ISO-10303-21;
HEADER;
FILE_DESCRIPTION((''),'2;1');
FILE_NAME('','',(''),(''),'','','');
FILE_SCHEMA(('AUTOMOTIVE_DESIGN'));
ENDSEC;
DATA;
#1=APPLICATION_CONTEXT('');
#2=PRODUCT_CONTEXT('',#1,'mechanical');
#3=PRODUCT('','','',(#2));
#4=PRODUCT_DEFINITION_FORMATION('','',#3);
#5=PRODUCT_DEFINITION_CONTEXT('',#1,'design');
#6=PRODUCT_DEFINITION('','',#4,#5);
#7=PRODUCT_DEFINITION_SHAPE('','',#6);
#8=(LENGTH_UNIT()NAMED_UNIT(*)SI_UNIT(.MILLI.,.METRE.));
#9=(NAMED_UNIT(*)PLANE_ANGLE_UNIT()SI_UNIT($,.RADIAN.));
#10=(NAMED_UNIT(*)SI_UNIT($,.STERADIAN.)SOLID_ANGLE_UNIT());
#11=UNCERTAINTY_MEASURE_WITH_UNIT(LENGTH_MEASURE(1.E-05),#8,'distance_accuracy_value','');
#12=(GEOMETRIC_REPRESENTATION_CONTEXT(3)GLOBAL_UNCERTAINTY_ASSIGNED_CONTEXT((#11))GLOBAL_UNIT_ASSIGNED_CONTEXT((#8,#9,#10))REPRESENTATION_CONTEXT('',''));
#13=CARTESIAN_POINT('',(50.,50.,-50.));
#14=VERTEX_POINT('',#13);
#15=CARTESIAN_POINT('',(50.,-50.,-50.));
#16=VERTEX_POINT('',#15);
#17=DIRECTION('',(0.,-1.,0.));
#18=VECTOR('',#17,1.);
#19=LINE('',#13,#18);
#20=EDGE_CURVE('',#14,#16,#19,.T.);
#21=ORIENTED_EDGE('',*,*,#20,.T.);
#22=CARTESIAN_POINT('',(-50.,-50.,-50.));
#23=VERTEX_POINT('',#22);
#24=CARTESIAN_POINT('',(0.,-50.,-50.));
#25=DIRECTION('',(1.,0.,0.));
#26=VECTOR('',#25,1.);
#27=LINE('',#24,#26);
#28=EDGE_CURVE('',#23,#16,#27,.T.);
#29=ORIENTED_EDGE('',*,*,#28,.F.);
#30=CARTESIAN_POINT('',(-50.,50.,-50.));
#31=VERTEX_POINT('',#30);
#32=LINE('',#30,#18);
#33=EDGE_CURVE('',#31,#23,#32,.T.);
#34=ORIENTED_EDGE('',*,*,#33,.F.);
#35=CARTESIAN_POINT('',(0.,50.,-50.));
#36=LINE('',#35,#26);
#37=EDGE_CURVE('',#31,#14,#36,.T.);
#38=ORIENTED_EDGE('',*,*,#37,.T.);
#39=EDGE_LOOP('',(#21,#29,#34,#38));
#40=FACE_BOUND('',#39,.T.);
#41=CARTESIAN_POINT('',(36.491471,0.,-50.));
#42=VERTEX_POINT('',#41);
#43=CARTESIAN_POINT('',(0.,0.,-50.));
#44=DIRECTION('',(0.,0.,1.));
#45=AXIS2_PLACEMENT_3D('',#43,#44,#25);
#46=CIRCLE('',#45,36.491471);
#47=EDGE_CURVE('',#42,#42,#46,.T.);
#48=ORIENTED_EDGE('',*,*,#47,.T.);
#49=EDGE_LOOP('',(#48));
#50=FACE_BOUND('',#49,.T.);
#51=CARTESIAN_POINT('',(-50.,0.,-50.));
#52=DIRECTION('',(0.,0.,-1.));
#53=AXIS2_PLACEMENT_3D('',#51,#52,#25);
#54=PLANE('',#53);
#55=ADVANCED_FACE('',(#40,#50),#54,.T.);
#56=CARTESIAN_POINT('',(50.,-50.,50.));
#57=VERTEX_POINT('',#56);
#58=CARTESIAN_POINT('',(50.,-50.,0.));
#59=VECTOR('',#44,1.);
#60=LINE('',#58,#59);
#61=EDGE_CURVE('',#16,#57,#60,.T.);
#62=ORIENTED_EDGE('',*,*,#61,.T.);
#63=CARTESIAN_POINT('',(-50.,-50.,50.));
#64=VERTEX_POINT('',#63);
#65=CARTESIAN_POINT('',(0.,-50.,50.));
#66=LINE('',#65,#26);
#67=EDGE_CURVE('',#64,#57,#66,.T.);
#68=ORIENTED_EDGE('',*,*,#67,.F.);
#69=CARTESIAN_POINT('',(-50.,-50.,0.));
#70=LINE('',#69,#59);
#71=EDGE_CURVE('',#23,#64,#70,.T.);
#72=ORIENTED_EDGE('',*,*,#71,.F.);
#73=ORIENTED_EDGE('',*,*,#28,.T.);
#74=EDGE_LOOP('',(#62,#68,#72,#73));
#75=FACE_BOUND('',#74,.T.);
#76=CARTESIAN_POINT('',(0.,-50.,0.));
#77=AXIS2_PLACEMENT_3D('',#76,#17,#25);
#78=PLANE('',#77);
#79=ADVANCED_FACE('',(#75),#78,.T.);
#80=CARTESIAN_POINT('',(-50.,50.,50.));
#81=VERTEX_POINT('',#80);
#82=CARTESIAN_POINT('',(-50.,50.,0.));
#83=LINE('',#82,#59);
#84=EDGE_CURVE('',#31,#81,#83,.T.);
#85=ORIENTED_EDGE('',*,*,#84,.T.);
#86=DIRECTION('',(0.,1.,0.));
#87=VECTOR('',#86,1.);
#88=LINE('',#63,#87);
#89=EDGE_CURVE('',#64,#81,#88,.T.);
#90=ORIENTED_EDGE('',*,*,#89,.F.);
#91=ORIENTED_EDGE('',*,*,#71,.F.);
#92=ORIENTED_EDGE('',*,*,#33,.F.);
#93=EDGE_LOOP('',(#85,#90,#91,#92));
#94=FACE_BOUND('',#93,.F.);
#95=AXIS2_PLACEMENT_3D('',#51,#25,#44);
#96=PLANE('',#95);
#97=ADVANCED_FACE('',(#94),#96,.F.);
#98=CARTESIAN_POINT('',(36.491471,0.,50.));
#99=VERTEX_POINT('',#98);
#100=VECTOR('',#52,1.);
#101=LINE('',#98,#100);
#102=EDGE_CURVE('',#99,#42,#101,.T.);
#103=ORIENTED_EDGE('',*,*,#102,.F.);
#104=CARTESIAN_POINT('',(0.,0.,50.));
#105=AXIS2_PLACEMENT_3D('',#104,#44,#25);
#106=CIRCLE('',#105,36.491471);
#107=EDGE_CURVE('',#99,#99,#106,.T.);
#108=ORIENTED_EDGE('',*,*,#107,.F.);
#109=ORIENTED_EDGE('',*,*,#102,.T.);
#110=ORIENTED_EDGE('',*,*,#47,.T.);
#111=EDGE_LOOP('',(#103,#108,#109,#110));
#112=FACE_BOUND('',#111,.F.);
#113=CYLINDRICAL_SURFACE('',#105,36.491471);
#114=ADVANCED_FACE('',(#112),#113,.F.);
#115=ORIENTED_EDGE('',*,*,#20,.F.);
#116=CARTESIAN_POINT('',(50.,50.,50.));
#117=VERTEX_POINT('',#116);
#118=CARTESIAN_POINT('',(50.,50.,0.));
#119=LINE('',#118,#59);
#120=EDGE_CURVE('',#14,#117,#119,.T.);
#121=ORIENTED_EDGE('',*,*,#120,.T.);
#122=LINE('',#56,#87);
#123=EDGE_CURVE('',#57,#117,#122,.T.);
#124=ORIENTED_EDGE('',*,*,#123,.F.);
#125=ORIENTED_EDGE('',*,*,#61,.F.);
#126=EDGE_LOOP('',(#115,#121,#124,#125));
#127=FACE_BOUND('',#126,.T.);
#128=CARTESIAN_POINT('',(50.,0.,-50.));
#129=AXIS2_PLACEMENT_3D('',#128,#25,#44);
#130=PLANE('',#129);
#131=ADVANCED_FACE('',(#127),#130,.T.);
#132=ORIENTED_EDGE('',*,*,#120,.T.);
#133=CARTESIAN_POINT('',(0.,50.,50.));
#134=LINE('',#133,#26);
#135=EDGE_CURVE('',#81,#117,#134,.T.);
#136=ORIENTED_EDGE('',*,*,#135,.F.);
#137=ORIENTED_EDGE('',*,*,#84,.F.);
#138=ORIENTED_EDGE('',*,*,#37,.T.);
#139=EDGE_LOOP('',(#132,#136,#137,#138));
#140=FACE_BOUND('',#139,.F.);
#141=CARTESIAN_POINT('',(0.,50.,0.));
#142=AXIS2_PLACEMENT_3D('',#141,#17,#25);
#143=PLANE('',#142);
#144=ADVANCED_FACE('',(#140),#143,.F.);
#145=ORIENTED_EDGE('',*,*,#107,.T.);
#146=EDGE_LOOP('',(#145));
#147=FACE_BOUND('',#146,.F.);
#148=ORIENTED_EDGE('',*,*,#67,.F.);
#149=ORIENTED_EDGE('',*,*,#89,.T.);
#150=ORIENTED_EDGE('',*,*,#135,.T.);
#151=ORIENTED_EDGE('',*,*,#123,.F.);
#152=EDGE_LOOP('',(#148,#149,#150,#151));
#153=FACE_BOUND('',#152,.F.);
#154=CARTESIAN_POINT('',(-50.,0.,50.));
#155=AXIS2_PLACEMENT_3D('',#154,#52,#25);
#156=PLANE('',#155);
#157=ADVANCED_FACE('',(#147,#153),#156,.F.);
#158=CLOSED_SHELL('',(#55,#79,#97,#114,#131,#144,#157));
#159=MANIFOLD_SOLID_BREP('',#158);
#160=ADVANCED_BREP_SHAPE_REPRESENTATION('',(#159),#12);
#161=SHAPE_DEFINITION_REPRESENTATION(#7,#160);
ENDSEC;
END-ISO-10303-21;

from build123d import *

# Parameters (mm, degrees)
F0_W     = 100
F0_H     = 100
F1_DEPTH = 50
F2_R     = 36.4914708522
F3_DEPTH = 100.001


with BuildPart() as f1:
    # F0 (on Front) → F1 (new body, symmetric)
    with BuildSketch(Plane.XZ):
        Rectangle(F0_W, F0_H)
    extrude(amount=F1_DEPTH, both=True)

    # F2 (on face) → F3 (cut, through all)
    with BuildSketch(Plane.XY.offset(50)):
        Circle(F2_R)
    extrude(amount=-F3_DEPTH, mode=Mode.SUBTRACT)


solid = f1.part
